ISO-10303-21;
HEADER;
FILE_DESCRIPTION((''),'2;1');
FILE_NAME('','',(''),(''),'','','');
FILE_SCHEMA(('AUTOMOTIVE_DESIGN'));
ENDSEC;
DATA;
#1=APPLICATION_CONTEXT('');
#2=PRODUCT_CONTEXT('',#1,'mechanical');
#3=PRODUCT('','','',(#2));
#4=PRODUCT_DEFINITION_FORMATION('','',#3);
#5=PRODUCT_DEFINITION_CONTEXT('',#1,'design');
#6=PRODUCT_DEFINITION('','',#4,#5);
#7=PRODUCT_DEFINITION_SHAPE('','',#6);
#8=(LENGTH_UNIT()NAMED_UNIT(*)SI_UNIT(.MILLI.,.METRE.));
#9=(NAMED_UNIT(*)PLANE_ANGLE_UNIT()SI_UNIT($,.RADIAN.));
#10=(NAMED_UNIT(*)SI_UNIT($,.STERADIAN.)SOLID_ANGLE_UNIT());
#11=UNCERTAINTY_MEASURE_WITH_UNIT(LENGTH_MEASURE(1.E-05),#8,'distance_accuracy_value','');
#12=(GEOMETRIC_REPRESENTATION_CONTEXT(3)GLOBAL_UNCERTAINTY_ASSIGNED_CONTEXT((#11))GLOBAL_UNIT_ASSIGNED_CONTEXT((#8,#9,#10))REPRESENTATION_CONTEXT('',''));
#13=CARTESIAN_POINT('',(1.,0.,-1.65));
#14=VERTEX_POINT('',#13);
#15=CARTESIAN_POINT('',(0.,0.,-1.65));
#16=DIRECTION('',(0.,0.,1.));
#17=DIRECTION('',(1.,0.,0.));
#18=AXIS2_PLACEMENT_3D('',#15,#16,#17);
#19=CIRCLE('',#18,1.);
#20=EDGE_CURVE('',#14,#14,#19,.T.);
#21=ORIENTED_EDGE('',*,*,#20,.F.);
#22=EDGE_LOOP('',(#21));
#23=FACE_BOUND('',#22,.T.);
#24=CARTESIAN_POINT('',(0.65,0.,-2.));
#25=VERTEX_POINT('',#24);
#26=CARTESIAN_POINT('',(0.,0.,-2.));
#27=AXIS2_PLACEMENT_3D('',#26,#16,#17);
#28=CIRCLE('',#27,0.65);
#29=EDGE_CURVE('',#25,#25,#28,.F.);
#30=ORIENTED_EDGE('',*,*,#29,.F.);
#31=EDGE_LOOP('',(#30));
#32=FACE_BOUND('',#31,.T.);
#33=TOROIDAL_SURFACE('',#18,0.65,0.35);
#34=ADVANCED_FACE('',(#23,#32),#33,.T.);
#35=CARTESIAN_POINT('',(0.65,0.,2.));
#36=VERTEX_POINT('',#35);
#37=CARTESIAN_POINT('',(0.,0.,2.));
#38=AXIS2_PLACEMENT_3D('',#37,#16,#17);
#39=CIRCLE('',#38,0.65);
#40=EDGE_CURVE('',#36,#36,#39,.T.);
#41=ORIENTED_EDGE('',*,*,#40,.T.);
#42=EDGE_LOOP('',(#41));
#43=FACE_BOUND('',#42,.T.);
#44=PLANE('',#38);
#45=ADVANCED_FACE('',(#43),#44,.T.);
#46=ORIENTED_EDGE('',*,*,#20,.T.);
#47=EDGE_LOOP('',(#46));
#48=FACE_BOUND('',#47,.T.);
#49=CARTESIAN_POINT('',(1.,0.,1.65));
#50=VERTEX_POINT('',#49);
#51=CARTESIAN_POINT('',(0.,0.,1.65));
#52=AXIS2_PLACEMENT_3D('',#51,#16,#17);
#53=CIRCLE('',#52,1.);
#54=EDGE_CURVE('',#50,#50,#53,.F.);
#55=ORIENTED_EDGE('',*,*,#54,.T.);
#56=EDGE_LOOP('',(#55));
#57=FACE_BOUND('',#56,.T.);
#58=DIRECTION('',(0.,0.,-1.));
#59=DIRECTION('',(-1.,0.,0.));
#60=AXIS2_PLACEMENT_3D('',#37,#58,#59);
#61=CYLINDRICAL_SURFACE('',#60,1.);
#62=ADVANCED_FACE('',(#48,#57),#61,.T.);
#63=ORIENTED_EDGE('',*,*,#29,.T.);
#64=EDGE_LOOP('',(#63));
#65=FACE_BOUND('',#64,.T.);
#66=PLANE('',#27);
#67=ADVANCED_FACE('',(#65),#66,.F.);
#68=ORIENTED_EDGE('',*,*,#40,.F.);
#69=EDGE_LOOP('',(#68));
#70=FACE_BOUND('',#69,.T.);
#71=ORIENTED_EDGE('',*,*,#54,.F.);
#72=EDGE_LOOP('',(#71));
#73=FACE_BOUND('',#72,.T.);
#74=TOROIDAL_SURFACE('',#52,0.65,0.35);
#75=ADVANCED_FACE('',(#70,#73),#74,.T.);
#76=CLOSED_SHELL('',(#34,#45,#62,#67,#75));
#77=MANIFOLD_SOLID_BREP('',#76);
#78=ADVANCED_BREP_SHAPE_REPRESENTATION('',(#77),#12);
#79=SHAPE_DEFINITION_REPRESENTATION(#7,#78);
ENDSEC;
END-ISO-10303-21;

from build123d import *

# Parameters (mm, degrees)
SKETCH1_R           = 1
BOSS_EXTRUDE1_DEPTH = 2
FILLET1_R           = 0.35


with BuildPart() as part:
    # Sketch1 → Boss-Extrude1 (new body, symmetric)
    with BuildSketch(Plane.XY):
        Circle(SKETCH1_R)
    extrude(amount=BOSS_EXTRUDE1_DEPTH, both=True)

    # Fillet1
    fillet1_edges = [part.edges().sort_by_distance(p)[0] for p in [
        (-1, 0, -2),
        (-1, 0, 2),
    ]]
    fillet(fillet1_edges, radius=FILLET1_R)


solid = part.part
